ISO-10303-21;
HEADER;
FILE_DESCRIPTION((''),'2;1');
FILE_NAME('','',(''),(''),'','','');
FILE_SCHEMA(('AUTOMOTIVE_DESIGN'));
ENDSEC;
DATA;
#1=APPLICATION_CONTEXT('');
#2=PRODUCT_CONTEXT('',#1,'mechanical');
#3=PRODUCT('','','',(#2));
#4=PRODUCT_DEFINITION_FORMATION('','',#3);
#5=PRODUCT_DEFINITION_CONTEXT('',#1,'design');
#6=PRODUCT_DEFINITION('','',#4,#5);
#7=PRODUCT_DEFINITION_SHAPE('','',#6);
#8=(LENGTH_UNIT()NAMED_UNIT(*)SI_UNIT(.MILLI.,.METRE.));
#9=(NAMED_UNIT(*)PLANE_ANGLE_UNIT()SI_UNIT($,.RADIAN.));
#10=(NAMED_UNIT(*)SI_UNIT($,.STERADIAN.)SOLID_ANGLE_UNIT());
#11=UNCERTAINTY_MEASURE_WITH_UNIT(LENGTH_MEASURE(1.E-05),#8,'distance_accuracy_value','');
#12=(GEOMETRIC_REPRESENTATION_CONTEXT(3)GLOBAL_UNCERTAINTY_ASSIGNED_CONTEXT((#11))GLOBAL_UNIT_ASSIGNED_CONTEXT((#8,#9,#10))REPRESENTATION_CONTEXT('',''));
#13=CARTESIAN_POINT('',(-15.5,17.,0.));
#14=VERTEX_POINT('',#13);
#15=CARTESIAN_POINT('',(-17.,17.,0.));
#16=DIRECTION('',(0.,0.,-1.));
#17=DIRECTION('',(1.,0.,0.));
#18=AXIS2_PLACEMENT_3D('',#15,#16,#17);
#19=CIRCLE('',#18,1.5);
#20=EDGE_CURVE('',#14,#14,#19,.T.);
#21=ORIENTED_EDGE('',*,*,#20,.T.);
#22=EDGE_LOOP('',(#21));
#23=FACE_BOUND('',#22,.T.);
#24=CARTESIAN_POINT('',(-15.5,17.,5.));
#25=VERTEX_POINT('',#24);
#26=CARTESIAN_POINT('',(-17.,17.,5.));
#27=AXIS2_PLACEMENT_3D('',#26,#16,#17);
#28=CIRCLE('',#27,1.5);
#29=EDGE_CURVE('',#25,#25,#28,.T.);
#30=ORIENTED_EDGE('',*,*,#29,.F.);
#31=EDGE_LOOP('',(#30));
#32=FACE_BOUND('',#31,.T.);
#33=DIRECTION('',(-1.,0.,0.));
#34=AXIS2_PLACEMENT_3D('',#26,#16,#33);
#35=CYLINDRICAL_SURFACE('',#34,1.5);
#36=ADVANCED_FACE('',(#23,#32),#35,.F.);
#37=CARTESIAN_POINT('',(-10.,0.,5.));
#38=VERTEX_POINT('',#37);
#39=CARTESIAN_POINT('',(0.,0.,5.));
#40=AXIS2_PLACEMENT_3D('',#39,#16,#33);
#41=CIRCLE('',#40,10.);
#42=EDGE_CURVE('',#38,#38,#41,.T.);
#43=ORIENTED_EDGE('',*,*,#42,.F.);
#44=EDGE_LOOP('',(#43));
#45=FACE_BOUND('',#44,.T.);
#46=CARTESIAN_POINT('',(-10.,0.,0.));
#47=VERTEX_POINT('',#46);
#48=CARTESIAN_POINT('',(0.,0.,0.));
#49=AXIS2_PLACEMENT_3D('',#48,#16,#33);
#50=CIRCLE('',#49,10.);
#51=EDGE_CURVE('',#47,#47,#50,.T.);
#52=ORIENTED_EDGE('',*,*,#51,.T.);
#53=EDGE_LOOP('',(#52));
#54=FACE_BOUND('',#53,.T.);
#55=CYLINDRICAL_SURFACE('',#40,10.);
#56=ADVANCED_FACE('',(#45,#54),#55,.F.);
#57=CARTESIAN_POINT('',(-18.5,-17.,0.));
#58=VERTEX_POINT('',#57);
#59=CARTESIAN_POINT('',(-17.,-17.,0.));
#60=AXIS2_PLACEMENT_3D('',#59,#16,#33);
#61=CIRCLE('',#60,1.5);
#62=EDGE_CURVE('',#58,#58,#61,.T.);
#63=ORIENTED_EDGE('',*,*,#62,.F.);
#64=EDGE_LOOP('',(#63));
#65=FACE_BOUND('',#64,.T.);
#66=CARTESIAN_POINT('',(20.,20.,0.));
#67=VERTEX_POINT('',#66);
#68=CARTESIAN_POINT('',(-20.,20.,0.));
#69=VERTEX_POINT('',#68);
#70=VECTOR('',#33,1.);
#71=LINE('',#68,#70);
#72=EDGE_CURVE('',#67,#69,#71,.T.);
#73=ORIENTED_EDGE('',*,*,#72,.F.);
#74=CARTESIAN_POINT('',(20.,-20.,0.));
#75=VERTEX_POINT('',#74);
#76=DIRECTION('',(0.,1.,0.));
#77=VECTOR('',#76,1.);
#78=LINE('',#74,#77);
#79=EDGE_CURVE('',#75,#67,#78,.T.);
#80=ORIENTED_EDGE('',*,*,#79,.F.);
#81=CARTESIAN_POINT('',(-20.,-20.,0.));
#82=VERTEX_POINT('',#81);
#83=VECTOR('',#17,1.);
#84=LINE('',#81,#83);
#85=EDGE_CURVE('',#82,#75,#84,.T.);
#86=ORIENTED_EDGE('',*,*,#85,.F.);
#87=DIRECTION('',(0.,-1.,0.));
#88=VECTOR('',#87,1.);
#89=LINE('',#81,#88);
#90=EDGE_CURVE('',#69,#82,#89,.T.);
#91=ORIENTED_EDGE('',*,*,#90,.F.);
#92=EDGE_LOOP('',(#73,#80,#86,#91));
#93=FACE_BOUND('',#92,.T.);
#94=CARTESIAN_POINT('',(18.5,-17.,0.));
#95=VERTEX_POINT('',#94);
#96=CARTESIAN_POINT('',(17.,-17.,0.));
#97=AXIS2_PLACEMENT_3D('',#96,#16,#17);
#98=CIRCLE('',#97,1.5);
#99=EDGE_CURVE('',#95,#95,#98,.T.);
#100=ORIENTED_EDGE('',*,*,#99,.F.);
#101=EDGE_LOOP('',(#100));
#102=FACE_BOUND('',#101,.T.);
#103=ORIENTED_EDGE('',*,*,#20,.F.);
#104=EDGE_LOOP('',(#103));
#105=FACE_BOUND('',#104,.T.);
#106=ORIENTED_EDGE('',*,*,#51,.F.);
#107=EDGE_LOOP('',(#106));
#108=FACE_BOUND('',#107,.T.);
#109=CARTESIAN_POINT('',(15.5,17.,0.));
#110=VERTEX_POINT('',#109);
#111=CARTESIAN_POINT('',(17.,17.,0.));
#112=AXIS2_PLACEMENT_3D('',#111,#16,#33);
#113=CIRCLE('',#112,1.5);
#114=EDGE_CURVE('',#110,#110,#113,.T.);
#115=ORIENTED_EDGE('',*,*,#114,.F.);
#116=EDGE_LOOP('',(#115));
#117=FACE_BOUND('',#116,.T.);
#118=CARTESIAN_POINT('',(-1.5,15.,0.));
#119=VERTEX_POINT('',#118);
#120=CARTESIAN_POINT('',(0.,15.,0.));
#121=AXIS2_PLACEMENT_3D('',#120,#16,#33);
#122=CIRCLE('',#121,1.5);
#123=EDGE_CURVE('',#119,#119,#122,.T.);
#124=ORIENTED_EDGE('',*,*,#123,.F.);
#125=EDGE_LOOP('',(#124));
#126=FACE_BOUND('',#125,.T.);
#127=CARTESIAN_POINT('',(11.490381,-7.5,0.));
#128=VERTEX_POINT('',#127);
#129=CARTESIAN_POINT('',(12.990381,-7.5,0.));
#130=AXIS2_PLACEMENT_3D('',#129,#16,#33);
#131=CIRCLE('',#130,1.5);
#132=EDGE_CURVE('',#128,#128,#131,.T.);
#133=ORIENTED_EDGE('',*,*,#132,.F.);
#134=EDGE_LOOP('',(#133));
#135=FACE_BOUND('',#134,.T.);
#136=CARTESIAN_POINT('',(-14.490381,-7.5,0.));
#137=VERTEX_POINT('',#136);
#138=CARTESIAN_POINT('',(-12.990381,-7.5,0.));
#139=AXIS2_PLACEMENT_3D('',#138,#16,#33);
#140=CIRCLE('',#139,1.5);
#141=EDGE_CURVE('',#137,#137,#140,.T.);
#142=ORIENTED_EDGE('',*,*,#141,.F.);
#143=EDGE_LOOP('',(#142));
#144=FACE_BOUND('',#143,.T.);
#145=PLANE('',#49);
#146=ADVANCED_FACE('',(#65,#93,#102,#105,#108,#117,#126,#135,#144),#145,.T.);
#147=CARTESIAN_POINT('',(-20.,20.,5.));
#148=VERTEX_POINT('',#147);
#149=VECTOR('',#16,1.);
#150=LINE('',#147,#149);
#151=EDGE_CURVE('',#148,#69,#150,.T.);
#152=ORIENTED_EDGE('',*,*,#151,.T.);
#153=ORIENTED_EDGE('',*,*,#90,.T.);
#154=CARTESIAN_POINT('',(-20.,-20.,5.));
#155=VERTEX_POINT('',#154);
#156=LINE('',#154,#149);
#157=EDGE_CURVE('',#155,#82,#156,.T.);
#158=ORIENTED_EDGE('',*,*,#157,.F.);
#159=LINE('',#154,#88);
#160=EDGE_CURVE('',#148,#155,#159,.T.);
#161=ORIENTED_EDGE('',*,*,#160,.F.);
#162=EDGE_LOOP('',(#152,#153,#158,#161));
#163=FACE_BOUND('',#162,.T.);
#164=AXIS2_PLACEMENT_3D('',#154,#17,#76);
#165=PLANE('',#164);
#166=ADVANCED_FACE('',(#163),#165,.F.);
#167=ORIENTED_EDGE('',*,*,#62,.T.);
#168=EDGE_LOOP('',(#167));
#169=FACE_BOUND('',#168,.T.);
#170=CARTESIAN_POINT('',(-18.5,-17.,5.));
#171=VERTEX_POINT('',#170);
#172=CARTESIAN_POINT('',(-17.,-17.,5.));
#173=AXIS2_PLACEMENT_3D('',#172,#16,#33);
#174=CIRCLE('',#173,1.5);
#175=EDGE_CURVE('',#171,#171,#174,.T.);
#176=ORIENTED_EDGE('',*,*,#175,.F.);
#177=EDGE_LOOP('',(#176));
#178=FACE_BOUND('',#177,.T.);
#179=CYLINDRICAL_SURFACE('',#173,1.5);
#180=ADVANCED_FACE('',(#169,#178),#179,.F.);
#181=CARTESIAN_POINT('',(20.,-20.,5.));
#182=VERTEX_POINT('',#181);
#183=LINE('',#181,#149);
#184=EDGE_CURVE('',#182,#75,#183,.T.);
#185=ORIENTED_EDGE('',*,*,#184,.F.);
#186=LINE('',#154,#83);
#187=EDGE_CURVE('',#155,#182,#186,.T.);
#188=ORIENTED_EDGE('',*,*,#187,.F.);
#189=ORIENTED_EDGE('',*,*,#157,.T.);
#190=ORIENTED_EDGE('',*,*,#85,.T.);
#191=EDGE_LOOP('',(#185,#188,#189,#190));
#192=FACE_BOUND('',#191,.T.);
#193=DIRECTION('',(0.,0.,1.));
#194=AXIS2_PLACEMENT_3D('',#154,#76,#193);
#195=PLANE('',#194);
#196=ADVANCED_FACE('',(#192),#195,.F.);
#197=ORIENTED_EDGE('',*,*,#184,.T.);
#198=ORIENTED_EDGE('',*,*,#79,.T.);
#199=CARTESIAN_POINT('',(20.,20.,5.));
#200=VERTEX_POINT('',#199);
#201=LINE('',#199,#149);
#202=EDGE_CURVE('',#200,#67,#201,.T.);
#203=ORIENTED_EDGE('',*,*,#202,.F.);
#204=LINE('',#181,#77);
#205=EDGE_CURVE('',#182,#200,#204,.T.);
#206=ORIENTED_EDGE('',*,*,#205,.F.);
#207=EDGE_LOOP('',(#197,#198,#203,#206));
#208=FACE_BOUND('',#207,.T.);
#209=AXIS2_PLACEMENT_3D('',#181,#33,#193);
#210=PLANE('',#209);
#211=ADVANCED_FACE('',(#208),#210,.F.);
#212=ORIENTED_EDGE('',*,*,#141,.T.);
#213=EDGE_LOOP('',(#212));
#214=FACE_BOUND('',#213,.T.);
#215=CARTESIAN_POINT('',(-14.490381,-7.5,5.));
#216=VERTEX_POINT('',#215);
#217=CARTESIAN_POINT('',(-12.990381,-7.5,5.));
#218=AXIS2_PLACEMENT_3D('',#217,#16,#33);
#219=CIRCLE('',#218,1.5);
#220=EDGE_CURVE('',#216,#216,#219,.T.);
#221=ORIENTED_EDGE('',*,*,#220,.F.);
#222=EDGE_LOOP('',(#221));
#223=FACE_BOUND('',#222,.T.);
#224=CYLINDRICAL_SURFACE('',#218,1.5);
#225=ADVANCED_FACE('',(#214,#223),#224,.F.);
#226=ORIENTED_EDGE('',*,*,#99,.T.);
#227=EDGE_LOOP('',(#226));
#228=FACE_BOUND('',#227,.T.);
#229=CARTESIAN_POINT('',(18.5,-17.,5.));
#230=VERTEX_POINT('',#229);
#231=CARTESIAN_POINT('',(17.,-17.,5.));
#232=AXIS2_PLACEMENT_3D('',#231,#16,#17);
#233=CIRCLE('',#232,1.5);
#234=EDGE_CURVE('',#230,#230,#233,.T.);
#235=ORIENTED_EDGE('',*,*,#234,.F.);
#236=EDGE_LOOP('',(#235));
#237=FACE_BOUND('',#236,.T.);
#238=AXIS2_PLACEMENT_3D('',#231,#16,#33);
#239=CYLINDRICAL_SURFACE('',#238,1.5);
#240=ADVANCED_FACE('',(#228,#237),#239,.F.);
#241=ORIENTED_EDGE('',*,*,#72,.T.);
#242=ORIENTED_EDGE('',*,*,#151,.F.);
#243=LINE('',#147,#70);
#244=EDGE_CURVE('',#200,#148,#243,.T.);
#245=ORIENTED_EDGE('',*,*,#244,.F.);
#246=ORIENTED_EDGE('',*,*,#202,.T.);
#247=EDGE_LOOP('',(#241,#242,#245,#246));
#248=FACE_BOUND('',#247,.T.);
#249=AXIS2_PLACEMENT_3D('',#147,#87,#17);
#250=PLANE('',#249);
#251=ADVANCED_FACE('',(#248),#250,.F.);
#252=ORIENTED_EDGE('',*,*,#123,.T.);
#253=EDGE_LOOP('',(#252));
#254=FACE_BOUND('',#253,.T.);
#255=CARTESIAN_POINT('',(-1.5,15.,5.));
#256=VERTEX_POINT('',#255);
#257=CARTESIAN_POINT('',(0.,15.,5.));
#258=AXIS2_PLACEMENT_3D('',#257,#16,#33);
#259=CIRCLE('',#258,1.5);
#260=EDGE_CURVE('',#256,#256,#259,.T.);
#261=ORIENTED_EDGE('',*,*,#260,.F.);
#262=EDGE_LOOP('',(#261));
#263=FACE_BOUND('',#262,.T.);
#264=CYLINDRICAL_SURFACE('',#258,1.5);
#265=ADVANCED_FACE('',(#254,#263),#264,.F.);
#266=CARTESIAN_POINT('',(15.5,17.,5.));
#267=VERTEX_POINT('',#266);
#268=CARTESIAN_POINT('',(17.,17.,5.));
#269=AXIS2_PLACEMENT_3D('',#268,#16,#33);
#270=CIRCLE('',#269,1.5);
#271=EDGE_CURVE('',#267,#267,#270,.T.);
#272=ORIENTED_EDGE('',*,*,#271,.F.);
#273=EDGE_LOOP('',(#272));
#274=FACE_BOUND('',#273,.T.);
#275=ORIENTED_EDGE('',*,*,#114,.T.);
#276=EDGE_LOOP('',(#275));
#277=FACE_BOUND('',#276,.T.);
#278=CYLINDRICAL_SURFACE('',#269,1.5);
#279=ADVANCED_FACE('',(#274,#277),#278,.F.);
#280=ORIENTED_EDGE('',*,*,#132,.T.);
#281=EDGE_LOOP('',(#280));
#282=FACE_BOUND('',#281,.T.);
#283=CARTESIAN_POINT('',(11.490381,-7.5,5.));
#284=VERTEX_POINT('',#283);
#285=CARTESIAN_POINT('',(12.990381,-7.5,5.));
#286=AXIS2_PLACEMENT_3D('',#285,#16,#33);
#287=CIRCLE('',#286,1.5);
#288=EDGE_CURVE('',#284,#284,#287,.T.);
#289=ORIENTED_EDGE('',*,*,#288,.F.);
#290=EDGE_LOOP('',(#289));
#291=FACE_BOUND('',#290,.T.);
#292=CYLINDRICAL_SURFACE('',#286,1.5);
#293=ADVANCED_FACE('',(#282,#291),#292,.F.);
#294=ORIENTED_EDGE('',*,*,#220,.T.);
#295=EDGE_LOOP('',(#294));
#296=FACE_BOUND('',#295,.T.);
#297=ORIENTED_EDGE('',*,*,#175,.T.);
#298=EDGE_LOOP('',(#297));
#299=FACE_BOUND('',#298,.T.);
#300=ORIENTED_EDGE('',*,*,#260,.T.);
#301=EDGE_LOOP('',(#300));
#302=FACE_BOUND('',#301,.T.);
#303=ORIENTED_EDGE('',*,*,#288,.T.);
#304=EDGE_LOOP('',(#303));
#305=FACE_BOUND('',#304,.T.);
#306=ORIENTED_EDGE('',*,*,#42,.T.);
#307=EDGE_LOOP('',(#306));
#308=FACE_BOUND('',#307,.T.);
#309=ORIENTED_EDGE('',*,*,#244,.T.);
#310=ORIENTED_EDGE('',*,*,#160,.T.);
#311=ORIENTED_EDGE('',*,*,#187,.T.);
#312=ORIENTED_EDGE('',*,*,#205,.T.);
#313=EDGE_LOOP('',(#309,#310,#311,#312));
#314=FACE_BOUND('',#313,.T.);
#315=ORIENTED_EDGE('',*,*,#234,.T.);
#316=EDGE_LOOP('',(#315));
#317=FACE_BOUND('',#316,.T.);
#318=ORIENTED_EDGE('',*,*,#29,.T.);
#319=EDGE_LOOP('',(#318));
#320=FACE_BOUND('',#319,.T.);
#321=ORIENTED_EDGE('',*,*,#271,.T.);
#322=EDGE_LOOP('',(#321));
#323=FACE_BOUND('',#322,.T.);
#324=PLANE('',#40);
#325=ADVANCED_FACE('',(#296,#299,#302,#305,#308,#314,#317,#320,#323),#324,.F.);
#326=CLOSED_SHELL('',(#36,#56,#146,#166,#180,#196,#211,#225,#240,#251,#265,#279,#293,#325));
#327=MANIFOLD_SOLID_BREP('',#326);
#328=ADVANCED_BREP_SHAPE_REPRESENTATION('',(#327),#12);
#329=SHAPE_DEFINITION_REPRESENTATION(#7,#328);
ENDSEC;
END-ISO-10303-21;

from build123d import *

# Parameters (mm, degrees)
SKETCH1_W           = 40
SKETCH1_H           = 40
BOSS_EXTRUDE1_DEPTH = 5
SKETCH2_R           = 10
CUT_EXTRUDE1_DEPTH  = 5
SKETCH3_R           = 1.5
CUT_EXTRUDE2_DEPTH  = 5
SKETCH4_R           = 1.5
CUT_EXTRUDE3_DEPTH  = 5


with BuildPart() as part:
    # Sketch1 → Boss-Extrude1 (new body)
    with BuildSketch(Plane.XY):
        Rectangle(SKETCH1_W, SKETCH1_H)
    extrude(amount=BOSS_EXTRUDE1_DEPTH)

    # Sketch2 → Cut-Extrude1 (cut)
    with BuildSketch(Plane(origin=(0, 0, 0), x_dir=(-1, 0, 0), z_dir=(0, 0, -1))):
        Circle(SKETCH2_R)
    extrude(amount=-CUT_EXTRUDE1_DEPTH, mode=Mode.SUBTRACT)

    # Sketch3 → Cut-Extrude2 (cut)
    with BuildSketch(Plane(origin=(0, 0, 0), x_dir=(-1, 0, 0), z_dir=(0, 0, -1))):
        with Locations((0, 15)):
            Circle(SKETCH3_R)
        with Locations((12.990381057, -7.5)):
            Circle(SKETCH3_R)
        with Locations((-12.990381057, -7.5)):
            Circle(SKETCH3_R)
    extrude(amount=-CUT_EXTRUDE2_DEPTH, mode=Mode.SUBTRACT)

    # Sketch4 → Cut-Extrude3 (cut)
    with BuildSketch(Plane(origin=(0, 0, 0), x_dir=(-1, 0, 0), z_dir=(0, 0, -1))):
        with Locations((-17, 17)):
            Circle(SKETCH4_R)
        with Locations(Location((17, 17, 0), (0, 0, 180))):
            Circle(SKETCH4_R)
        with Locations((17, -17)):
            Circle(SKETCH4_R)
        with Locations(Location((-17, -17, 0), (0, 0, 180))):
            Circle(SKETCH4_R)
    extrude(amount=-CUT_EXTRUDE3_DEPTH, mode=Mode.SUBTRACT)


solid = part.part
